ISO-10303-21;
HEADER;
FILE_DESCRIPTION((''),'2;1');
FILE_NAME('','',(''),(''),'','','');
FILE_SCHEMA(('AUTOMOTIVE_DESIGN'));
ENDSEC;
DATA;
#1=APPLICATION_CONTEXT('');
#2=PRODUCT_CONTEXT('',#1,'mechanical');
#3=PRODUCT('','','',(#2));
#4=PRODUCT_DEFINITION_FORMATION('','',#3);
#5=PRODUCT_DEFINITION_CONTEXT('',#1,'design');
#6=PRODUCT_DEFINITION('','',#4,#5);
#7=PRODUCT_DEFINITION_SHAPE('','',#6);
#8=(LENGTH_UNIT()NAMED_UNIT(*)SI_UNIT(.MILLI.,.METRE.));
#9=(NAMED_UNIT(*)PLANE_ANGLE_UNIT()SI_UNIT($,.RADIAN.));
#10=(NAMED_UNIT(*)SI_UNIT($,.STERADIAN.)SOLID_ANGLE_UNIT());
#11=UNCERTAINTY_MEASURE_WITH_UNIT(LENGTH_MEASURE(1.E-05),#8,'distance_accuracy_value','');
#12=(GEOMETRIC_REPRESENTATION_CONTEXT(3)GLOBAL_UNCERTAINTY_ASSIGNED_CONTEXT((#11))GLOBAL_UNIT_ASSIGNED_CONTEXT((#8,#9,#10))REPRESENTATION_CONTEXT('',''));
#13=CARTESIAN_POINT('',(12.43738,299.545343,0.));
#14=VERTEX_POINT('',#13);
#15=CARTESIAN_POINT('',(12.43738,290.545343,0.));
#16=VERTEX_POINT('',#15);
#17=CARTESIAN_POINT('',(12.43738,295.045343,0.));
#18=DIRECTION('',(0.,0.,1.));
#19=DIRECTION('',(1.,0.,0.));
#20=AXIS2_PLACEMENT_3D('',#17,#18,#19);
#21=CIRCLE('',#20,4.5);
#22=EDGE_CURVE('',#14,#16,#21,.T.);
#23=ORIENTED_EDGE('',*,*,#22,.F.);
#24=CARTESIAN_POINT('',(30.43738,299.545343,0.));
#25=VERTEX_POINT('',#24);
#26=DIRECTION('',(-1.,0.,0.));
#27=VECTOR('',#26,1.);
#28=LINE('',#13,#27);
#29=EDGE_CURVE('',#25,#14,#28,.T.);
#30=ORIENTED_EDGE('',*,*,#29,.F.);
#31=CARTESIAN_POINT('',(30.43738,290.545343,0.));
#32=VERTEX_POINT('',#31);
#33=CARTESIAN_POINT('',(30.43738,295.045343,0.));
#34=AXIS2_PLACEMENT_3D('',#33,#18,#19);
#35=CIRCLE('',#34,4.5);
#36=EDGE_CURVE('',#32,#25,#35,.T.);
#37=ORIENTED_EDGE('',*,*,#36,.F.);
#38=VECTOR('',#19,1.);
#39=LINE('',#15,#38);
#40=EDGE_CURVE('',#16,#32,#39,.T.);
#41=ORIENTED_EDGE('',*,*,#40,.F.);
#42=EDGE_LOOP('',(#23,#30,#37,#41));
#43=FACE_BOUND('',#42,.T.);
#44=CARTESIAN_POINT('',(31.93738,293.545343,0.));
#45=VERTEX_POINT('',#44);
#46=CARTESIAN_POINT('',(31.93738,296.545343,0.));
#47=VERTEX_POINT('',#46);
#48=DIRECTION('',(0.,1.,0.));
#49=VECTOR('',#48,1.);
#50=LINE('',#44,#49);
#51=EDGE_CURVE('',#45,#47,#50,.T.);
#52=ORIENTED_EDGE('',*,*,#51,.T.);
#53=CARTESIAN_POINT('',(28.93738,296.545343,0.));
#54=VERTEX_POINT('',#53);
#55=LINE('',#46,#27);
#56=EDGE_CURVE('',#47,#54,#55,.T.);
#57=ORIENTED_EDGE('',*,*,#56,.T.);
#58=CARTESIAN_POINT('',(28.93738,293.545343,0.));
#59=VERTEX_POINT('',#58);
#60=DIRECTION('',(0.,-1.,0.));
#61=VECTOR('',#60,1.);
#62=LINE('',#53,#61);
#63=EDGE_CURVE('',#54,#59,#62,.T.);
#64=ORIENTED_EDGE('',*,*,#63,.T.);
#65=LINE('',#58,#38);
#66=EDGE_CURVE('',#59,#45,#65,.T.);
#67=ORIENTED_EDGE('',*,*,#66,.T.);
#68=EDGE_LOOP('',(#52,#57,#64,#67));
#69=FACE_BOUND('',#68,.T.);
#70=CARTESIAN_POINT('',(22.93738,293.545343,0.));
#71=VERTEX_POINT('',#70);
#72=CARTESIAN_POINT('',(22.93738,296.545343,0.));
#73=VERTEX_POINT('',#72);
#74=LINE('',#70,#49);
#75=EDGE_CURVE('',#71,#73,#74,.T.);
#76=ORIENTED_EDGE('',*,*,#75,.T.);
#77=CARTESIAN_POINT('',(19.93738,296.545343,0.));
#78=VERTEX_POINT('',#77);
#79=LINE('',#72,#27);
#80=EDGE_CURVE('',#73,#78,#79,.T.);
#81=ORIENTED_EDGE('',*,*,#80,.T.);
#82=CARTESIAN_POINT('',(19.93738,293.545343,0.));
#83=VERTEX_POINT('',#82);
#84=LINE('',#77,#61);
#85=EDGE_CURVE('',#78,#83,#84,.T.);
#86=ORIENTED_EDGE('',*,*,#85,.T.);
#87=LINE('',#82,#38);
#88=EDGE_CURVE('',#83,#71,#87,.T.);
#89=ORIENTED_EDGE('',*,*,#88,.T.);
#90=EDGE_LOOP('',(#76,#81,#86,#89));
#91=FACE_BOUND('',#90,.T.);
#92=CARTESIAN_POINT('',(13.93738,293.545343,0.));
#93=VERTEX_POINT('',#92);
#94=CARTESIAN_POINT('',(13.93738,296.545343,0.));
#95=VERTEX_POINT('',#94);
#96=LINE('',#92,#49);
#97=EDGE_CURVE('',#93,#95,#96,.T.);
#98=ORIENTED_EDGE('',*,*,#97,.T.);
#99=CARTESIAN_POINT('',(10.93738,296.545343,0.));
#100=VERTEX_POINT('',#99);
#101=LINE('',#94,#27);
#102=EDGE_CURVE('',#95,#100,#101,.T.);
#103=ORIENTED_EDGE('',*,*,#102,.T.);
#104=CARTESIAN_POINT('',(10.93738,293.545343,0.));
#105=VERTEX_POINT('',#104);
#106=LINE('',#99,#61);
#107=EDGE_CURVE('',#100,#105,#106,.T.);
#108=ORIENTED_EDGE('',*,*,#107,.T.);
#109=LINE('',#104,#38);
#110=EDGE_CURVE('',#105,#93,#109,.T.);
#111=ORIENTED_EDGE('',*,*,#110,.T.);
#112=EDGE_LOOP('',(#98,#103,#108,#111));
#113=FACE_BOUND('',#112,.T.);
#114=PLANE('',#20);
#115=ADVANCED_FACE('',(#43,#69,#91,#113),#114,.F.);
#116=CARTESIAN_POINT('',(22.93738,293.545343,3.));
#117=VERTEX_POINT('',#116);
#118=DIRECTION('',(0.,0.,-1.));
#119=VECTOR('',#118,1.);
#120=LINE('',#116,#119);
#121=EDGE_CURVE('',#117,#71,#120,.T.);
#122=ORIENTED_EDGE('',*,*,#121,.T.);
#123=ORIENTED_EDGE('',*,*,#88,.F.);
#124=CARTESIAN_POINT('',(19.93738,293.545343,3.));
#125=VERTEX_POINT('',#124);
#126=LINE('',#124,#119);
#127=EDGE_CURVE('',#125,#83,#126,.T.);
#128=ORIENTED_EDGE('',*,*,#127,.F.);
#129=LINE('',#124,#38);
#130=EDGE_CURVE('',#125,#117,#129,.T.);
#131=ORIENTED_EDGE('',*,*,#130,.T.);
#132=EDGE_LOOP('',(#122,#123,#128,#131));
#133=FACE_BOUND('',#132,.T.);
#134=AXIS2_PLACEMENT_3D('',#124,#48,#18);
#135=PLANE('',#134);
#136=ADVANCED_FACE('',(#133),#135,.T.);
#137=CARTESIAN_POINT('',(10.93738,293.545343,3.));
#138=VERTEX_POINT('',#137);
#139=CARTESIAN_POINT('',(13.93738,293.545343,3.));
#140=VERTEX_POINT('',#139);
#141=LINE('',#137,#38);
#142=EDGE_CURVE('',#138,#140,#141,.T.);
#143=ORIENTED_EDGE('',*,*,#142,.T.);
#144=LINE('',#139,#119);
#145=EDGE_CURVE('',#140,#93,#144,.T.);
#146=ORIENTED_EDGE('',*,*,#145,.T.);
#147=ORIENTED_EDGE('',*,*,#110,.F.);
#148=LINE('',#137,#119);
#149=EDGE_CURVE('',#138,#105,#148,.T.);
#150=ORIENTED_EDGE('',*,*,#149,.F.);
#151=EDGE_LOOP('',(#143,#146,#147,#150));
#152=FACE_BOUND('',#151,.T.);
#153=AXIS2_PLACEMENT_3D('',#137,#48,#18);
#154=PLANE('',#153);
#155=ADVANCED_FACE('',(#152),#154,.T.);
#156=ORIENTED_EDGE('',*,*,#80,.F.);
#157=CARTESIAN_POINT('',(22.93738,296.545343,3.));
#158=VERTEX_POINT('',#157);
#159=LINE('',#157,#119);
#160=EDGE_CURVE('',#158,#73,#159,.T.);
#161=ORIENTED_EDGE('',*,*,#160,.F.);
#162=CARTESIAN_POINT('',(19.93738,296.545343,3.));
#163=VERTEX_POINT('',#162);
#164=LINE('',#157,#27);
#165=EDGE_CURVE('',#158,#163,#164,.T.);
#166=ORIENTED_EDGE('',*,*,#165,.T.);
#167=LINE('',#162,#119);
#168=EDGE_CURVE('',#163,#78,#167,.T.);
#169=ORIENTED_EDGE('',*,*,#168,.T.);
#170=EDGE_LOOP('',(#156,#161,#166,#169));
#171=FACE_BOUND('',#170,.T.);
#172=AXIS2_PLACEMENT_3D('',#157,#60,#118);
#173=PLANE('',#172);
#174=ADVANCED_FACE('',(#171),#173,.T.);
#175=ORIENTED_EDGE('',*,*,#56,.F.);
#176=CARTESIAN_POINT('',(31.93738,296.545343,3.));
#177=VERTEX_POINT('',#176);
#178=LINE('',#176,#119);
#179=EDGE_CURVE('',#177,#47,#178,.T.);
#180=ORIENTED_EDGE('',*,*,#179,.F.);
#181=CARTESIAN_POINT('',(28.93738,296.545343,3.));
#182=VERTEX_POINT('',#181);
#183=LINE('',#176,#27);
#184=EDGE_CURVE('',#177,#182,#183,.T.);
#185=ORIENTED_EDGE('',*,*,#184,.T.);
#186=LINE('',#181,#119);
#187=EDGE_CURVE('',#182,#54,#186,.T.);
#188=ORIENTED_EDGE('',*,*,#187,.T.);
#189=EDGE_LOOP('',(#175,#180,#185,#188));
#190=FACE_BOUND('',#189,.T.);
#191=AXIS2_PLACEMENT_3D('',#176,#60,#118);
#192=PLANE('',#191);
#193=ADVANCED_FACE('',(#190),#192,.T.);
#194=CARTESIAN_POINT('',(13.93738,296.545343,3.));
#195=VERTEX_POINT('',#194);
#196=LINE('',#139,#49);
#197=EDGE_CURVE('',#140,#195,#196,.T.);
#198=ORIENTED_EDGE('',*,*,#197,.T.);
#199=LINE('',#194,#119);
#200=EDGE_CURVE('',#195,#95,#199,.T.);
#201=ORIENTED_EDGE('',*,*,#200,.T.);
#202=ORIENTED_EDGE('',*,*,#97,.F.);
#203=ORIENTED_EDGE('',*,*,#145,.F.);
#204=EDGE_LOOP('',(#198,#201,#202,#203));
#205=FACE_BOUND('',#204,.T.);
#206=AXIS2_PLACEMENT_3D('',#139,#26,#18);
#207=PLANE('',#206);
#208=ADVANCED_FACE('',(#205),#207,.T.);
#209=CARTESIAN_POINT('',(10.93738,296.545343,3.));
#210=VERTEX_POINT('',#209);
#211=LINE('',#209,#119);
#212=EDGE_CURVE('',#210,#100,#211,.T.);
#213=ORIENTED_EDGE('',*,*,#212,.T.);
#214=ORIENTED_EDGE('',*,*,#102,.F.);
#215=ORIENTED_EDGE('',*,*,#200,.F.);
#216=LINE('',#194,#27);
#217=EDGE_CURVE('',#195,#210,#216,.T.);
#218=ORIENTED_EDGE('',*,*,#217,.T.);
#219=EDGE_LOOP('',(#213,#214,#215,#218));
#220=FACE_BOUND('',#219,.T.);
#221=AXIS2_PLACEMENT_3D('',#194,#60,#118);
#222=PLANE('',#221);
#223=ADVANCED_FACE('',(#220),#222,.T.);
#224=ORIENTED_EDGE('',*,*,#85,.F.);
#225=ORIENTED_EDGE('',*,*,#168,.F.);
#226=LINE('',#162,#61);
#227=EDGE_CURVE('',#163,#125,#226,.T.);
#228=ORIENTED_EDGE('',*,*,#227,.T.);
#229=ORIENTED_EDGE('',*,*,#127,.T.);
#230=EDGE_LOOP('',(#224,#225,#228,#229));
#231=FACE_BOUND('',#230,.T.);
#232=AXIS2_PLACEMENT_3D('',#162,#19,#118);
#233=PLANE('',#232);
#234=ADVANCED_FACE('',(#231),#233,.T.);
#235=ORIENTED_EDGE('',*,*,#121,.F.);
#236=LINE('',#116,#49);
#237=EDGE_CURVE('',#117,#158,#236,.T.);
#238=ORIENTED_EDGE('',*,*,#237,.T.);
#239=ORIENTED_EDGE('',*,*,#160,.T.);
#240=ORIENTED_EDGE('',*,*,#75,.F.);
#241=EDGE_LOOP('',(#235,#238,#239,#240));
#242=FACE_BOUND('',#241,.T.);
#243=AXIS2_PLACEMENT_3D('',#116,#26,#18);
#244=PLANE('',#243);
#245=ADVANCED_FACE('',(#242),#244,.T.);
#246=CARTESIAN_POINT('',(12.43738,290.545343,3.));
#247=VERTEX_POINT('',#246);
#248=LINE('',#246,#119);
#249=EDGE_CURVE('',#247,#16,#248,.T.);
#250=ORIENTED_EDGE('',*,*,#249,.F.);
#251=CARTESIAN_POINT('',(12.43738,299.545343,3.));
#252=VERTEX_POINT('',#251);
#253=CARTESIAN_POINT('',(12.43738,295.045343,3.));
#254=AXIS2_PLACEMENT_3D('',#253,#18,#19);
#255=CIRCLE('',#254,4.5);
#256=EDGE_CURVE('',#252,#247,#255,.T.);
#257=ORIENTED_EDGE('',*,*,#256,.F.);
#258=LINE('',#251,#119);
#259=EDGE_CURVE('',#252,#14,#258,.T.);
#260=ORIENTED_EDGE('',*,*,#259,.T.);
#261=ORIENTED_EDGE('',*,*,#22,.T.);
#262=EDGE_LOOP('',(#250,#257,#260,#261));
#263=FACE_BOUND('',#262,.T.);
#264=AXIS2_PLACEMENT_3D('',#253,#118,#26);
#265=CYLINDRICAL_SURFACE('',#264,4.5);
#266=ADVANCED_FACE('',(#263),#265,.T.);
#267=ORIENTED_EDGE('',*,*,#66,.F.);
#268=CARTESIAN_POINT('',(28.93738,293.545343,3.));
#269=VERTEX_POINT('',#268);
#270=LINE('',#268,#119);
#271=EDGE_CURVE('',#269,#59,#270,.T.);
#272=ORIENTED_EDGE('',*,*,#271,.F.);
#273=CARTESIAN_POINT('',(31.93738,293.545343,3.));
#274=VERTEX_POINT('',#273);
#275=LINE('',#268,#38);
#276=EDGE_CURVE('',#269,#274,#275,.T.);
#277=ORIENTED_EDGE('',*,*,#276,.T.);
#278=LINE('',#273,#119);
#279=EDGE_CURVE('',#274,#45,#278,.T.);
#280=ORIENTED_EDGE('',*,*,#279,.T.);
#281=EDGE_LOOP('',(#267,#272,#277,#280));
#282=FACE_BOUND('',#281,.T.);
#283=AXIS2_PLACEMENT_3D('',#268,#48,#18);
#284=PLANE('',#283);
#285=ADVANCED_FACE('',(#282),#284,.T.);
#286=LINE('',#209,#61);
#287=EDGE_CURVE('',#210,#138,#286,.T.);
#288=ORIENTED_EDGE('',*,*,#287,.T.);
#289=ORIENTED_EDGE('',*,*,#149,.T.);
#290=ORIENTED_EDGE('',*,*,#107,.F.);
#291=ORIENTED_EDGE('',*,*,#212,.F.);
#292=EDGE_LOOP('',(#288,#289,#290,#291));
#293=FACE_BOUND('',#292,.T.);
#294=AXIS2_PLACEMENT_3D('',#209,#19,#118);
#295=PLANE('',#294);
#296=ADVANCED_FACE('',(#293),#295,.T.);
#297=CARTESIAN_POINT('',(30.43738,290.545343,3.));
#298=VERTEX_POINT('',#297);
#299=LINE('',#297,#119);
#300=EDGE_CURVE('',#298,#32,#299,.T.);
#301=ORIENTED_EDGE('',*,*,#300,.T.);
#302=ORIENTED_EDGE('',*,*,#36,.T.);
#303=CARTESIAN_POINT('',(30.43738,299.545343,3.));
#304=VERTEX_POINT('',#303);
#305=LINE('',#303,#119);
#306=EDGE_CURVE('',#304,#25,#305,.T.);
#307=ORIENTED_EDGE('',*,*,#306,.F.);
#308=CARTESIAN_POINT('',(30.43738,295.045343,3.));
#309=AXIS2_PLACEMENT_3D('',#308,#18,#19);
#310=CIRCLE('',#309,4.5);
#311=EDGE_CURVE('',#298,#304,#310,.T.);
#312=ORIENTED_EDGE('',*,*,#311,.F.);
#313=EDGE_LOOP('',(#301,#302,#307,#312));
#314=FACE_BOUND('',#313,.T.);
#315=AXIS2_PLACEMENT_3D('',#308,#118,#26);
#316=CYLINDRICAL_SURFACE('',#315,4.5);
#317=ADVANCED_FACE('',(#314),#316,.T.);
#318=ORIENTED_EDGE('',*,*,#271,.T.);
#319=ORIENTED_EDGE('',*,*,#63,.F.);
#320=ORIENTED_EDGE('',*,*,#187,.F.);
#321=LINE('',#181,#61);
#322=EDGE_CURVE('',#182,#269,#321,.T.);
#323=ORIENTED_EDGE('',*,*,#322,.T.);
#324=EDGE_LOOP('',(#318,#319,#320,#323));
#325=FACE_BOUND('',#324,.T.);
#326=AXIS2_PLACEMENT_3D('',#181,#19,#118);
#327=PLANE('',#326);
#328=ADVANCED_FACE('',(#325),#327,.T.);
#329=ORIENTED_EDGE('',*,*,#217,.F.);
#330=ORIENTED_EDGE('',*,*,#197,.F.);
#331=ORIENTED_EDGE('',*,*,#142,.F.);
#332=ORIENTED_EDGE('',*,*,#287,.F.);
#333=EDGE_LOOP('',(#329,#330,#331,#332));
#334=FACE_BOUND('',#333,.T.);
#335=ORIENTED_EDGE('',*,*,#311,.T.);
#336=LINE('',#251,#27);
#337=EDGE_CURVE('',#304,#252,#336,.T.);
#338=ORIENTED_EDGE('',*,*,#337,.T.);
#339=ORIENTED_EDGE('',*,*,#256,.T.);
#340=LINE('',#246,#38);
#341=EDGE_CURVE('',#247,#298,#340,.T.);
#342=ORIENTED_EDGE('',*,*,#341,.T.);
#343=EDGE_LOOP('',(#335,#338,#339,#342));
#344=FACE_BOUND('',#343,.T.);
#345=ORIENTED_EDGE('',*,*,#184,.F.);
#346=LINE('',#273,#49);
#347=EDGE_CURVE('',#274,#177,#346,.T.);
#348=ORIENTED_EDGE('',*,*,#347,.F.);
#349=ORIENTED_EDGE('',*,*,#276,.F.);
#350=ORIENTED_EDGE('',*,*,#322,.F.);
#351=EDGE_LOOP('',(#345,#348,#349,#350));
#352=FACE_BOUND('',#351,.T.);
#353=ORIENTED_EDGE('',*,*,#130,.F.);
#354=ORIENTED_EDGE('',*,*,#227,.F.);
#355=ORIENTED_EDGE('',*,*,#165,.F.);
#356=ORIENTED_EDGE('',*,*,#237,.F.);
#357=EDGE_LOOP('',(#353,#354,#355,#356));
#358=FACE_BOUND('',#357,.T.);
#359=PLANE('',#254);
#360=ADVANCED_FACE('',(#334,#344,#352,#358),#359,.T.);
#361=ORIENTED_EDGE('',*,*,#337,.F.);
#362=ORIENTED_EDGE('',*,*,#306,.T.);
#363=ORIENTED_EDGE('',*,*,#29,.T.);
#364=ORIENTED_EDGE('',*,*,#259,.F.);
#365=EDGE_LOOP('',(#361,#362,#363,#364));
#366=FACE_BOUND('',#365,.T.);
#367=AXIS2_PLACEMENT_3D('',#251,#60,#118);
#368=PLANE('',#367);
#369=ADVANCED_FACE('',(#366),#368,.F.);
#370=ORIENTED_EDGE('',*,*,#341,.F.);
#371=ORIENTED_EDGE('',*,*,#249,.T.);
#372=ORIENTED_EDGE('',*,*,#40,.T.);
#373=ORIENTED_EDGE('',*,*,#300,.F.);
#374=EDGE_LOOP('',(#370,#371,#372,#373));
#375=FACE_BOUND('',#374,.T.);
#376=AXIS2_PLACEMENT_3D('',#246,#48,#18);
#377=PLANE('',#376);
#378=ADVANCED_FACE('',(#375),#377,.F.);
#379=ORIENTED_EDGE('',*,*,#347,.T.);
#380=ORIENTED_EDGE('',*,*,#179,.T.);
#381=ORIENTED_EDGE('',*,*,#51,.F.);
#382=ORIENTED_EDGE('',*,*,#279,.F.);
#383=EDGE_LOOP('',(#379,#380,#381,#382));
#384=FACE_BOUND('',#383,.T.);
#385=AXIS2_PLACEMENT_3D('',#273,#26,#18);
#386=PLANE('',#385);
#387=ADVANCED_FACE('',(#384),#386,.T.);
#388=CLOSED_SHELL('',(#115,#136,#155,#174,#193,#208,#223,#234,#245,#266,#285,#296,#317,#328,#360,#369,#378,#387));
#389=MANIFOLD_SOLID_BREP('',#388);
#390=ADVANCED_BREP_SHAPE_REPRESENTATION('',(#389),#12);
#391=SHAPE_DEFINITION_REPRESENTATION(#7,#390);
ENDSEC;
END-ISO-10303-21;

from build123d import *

# Parameters (mm, degrees)
MODEL_W                 = 3
MODEL_H                 = 3
SALIENTE_EXTRUIR1_DEPTH = 3


with BuildPart() as part:
    # Model → Saliente-Extruir1 (new body)
    with BuildSketch(Plane.XY):
        with BuildLine():
            Line((12.437380241, 299.545342772), (30.437380241, 299.545342772))
            ThreePointArc((30.437380241, 299.545342772), (34.937380241, 295.045342772), (30.437380241, 290.545342772))
            Line((30.437380241, 290.545342772), (12.437380241, 290.545342772))
            ThreePointArc((12.437380241, 290.545342772), (7.937380241, 295.045342772), (12.437380241, 299.545342772))
        make_face()
        with Locations((12.437380241, 295.045342772)):
            Rectangle(MODEL_W, MODEL_H, mode=Mode.SUBTRACT)
        with Locations((21.437380241, 295.045342772)):
            Rectangle(MODEL_W, MODEL_H, mode=Mode.SUBTRACT)
        with Locations((30.437380241, 295.045342772)):
            Rectangle(MODEL_W, MODEL_H, mode=Mode.SUBTRACT)
    extrude(amount=SALIENTE_EXTRUIR1_DEPTH)


solid = part.part
